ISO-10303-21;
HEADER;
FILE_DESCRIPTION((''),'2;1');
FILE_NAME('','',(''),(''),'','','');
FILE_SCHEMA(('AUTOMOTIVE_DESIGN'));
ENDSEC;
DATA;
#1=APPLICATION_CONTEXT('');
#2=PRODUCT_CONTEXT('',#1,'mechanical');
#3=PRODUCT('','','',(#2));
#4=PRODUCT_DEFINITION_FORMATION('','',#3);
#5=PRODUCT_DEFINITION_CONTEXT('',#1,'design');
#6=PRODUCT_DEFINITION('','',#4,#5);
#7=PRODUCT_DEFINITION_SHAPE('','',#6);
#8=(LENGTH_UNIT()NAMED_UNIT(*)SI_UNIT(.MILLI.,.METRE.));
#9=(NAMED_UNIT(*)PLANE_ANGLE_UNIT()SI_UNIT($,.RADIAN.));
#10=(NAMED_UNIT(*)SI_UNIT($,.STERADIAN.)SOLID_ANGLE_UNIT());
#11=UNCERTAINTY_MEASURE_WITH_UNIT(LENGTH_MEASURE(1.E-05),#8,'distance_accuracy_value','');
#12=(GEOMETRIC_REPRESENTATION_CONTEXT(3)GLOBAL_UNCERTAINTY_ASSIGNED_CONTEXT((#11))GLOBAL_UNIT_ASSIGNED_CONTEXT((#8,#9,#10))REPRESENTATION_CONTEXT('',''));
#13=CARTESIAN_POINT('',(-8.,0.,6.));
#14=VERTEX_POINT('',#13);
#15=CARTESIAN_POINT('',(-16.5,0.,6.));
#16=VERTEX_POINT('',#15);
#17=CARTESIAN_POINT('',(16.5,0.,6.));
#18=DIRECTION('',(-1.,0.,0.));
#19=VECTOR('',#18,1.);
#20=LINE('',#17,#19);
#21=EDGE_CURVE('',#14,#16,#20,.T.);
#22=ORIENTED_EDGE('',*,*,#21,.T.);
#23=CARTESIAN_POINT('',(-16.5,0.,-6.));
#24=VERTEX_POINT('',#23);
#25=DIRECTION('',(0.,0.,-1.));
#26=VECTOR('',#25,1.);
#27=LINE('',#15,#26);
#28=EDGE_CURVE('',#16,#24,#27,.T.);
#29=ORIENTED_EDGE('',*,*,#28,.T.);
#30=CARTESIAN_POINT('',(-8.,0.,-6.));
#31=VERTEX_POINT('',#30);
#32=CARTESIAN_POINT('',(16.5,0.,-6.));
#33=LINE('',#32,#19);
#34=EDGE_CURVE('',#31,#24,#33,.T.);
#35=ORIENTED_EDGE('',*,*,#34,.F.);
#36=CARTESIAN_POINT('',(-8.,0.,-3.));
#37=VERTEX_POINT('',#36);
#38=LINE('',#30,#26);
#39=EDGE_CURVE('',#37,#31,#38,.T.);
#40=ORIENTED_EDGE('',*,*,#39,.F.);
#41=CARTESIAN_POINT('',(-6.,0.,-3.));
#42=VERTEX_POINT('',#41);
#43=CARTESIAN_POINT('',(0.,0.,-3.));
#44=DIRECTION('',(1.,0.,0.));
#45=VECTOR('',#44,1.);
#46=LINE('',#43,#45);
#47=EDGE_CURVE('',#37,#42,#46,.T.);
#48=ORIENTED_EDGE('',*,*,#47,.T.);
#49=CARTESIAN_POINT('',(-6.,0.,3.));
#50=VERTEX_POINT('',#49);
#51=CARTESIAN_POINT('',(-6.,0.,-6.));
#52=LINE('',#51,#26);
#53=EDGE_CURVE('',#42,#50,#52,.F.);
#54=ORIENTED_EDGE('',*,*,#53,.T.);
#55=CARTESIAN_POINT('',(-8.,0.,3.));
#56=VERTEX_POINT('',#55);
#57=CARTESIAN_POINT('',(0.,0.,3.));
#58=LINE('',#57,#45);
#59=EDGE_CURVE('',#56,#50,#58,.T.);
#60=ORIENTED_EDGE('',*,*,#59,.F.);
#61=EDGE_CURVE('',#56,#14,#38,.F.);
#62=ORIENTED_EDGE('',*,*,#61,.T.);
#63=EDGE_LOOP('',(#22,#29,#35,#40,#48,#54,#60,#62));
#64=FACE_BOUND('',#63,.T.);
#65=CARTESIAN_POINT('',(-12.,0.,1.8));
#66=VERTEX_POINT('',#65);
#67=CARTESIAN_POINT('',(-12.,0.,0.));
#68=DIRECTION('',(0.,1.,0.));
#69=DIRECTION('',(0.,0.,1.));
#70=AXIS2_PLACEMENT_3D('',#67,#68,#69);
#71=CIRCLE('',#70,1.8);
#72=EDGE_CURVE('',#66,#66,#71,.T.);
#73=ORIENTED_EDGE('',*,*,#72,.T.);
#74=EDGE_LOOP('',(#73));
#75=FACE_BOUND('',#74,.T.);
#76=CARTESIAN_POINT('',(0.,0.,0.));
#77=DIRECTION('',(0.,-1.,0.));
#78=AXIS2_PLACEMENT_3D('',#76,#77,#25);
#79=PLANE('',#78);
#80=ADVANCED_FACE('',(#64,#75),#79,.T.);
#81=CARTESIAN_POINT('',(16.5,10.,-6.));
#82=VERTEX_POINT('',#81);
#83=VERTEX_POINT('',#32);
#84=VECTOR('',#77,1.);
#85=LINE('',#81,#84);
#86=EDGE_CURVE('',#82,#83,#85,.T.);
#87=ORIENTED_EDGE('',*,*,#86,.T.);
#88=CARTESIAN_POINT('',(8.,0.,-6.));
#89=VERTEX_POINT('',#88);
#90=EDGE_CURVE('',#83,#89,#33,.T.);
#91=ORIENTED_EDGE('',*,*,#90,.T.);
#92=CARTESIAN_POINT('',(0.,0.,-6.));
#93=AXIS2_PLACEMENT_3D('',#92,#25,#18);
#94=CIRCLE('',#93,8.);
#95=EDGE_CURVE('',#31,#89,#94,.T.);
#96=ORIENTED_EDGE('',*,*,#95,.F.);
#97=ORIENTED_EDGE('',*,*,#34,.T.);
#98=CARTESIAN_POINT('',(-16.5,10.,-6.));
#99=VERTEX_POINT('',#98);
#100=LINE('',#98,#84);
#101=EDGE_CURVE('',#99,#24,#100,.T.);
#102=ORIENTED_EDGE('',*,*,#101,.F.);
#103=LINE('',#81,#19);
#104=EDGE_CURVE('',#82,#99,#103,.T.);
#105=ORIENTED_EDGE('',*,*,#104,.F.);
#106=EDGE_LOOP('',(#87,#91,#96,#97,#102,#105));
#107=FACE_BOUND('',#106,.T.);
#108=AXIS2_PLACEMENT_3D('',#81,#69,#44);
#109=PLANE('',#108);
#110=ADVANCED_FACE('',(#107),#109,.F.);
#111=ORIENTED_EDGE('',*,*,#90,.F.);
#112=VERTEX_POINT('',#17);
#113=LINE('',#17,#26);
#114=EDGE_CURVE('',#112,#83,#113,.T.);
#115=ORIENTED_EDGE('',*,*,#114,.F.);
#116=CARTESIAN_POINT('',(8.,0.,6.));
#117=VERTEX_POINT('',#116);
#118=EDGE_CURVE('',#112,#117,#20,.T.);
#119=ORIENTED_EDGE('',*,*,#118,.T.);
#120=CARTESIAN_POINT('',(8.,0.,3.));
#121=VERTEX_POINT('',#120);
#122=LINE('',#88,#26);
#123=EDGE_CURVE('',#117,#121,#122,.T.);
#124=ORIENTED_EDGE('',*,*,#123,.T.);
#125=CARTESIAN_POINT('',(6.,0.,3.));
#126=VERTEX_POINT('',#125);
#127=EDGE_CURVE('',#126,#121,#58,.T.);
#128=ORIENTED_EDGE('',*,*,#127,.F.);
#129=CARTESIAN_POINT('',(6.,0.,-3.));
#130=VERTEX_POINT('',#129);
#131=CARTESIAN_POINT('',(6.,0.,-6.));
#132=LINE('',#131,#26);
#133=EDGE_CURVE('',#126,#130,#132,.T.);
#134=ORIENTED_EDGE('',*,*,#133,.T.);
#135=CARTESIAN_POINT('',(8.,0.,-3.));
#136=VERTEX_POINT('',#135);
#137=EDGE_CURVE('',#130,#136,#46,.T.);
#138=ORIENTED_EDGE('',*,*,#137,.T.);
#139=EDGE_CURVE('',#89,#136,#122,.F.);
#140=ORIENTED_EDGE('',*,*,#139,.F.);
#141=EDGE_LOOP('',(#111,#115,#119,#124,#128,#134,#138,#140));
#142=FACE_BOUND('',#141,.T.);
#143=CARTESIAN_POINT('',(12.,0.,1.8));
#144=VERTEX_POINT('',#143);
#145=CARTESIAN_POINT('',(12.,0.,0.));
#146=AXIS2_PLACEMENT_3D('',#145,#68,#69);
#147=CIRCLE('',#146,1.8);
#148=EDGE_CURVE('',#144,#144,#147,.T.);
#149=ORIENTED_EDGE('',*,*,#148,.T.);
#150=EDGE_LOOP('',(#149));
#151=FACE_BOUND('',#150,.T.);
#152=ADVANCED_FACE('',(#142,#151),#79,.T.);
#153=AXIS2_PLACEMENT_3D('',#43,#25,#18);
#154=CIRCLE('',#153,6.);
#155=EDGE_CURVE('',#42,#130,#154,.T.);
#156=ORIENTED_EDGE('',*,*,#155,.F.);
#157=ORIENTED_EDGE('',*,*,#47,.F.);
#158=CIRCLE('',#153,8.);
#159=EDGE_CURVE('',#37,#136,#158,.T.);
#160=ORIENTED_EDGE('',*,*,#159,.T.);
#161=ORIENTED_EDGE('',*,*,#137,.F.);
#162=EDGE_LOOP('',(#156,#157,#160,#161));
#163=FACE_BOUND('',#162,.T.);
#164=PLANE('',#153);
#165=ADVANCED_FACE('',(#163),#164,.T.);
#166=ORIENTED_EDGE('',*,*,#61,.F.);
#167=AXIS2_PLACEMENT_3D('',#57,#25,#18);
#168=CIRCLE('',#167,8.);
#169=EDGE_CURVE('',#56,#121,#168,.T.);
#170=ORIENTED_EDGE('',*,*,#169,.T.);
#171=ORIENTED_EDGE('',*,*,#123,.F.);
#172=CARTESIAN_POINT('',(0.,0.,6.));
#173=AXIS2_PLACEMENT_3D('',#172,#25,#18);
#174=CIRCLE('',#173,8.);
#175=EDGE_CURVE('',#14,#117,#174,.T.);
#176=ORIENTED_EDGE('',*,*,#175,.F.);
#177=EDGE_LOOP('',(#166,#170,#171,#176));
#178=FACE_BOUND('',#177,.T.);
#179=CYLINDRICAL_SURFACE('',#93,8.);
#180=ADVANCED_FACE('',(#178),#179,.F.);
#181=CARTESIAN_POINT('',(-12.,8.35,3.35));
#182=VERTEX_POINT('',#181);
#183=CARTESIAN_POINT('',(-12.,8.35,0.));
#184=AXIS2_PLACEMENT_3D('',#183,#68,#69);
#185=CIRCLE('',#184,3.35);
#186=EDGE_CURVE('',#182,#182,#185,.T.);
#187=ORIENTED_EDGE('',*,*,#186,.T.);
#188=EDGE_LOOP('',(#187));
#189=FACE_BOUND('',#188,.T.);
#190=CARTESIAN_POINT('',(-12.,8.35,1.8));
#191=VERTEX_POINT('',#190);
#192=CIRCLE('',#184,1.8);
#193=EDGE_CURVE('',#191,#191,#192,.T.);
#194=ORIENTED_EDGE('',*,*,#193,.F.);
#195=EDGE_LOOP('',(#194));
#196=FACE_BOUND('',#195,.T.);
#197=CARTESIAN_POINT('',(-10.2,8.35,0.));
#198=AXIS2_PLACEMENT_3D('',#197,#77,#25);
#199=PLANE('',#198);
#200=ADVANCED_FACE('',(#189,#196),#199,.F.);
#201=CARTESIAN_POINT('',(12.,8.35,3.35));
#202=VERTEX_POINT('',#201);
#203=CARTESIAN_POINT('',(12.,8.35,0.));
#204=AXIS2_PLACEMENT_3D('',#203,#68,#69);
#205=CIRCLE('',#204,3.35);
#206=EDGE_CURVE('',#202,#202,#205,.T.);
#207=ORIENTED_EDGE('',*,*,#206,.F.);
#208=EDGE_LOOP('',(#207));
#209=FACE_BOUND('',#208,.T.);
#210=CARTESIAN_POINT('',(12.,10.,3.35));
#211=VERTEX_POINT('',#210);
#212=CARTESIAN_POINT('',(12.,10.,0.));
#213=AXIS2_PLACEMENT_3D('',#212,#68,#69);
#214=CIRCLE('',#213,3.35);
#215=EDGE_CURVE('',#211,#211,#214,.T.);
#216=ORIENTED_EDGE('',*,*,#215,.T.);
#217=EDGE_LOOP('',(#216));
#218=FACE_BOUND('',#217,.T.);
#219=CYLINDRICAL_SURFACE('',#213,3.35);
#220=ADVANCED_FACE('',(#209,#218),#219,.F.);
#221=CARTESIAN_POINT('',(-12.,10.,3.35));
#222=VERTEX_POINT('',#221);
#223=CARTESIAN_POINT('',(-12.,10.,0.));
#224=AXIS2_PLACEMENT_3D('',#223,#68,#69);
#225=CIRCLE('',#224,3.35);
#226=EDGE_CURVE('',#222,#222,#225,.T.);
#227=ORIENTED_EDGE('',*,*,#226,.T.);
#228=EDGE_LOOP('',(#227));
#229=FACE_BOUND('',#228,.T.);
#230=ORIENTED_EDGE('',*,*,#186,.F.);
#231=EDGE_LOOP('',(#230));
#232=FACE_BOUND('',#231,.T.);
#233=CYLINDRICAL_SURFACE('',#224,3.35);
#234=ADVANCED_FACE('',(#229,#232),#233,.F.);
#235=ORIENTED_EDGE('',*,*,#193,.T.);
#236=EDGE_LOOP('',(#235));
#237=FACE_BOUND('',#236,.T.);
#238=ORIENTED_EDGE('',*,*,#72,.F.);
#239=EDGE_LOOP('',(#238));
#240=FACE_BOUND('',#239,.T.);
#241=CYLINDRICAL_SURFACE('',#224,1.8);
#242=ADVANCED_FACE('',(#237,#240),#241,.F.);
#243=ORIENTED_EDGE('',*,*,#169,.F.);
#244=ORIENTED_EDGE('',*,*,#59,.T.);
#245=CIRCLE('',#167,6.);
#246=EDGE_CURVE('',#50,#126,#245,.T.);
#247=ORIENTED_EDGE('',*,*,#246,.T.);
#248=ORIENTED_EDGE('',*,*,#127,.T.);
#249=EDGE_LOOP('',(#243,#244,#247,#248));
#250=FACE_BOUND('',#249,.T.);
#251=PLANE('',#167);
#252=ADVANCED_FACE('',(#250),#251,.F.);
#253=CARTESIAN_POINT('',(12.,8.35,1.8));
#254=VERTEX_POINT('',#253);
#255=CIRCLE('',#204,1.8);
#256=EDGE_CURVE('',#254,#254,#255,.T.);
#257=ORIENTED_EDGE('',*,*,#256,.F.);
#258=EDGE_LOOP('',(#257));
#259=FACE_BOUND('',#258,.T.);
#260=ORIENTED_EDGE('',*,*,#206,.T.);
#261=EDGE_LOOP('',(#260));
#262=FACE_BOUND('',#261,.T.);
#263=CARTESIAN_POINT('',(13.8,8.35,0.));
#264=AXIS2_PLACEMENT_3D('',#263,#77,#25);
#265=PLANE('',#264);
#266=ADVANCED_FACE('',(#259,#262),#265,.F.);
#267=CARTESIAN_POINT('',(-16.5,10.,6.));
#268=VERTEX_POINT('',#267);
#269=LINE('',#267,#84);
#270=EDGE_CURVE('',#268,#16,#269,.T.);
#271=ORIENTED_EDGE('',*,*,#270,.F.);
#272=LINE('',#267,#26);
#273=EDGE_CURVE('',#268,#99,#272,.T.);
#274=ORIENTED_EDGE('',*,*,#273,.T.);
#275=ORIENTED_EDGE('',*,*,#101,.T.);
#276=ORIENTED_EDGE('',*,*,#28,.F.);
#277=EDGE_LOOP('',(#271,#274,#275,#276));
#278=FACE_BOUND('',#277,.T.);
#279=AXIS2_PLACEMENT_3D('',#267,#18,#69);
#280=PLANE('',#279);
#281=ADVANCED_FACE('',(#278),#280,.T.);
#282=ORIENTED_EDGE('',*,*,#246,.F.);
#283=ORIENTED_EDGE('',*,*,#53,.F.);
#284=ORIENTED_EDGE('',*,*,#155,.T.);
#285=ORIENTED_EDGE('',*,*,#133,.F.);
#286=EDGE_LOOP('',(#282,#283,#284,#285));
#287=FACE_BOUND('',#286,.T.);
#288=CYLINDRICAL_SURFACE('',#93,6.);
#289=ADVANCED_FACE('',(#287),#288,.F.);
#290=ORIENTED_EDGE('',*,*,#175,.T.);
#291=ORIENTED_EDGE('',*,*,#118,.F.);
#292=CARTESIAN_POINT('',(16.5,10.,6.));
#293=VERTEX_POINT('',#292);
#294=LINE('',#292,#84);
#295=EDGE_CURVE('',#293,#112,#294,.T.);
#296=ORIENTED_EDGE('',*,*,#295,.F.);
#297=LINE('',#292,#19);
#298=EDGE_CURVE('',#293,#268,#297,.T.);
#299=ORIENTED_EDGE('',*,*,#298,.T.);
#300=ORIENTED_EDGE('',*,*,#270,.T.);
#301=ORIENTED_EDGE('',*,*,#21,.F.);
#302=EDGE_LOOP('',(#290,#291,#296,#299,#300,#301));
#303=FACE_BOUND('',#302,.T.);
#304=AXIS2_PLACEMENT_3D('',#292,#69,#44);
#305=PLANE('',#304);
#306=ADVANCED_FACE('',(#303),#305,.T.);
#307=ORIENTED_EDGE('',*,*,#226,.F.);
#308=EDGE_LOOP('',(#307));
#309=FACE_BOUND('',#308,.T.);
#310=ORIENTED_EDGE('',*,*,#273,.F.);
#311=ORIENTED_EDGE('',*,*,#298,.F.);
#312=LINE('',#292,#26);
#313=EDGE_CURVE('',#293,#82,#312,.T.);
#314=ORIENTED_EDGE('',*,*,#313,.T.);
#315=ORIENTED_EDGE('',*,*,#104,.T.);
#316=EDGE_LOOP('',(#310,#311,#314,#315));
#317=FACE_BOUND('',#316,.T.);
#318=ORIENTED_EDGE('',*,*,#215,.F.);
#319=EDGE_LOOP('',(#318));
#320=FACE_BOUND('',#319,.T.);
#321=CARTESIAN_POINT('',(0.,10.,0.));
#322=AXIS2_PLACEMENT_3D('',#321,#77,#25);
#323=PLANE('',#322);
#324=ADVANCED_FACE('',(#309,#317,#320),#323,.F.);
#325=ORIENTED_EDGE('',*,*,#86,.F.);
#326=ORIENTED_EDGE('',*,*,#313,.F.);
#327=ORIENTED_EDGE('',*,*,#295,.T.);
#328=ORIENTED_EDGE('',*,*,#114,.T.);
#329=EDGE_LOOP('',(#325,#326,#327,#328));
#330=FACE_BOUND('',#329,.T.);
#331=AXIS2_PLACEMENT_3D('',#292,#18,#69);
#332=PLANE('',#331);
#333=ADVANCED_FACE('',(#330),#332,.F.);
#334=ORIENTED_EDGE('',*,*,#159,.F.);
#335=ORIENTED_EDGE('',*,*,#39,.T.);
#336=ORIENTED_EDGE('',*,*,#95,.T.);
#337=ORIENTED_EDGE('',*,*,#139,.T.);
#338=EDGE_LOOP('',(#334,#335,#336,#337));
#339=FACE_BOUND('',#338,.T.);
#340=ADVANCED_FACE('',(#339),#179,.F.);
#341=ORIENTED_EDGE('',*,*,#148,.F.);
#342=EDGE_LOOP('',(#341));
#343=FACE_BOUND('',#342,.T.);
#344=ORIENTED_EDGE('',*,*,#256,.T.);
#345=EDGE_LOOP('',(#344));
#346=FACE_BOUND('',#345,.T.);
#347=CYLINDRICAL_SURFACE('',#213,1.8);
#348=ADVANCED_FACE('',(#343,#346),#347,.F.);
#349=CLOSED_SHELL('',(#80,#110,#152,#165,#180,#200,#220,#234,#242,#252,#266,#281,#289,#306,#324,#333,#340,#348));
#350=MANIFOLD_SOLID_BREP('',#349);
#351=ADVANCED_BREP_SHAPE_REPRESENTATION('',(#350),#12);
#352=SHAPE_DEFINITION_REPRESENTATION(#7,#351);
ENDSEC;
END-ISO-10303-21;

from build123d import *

# Parameters (mm, degrees)
SKETCH1_W                       = 33
SKETCH1_H                       = 12
BOSS_EXTRUDE1_DEPTH             = 10
CBORE_FOR_M3_SBHCS1_D           = 3.6
CBORE_FOR_M3_SBHCS1_CBORE_D     = 6.7
CBORE_FOR_M3_SBHCS1_CBORE_DEPTH = 1.65


with BuildPart() as part:
    # Sketch1 → Boss-Extrude1 (new body)
    with BuildSketch(Plane(origin=(0, 0, 0), x_dir=(1, 0, 0), z_dir=(0, 1, 0))):
        Rectangle(SKETCH1_W, SKETCH1_H)
    extrude(amount=BOSS_EXTRUDE1_DEPTH)

    # Sketch1<4> → Cut-Revolve1 (revolve, cut)
    with BuildSketch(Plane(origin=(0, 0, 0), x_dir=(1, 0, 0), z_dir=(0, 1, 0))):
        Polygon((0, 6), (-8, 6), (-8, 3), (-6, 3), (-6, -3), (-8, -3), (-8, -6), (0, -6), align=None)
    revolve(axis=Axis((0, 0, -6), (0, 0, 1)), mode=Mode.SUBTRACT)

    # CBORE for M3 SBHCS1 (through all)
    with Locations(Plane(origin=(-12, 10, 0), x_dir=(0, 0, 1), z_dir=(0, 1, 0))):
        with Locations((0, 0), (0, 24)):
            CounterBoreHole(CBORE_FOR_M3_SBHCS1_D / 2, CBORE_FOR_M3_SBHCS1_CBORE_D / 2, CBORE_FOR_M3_SBHCS1_CBORE_DEPTH)


solid = part.part
